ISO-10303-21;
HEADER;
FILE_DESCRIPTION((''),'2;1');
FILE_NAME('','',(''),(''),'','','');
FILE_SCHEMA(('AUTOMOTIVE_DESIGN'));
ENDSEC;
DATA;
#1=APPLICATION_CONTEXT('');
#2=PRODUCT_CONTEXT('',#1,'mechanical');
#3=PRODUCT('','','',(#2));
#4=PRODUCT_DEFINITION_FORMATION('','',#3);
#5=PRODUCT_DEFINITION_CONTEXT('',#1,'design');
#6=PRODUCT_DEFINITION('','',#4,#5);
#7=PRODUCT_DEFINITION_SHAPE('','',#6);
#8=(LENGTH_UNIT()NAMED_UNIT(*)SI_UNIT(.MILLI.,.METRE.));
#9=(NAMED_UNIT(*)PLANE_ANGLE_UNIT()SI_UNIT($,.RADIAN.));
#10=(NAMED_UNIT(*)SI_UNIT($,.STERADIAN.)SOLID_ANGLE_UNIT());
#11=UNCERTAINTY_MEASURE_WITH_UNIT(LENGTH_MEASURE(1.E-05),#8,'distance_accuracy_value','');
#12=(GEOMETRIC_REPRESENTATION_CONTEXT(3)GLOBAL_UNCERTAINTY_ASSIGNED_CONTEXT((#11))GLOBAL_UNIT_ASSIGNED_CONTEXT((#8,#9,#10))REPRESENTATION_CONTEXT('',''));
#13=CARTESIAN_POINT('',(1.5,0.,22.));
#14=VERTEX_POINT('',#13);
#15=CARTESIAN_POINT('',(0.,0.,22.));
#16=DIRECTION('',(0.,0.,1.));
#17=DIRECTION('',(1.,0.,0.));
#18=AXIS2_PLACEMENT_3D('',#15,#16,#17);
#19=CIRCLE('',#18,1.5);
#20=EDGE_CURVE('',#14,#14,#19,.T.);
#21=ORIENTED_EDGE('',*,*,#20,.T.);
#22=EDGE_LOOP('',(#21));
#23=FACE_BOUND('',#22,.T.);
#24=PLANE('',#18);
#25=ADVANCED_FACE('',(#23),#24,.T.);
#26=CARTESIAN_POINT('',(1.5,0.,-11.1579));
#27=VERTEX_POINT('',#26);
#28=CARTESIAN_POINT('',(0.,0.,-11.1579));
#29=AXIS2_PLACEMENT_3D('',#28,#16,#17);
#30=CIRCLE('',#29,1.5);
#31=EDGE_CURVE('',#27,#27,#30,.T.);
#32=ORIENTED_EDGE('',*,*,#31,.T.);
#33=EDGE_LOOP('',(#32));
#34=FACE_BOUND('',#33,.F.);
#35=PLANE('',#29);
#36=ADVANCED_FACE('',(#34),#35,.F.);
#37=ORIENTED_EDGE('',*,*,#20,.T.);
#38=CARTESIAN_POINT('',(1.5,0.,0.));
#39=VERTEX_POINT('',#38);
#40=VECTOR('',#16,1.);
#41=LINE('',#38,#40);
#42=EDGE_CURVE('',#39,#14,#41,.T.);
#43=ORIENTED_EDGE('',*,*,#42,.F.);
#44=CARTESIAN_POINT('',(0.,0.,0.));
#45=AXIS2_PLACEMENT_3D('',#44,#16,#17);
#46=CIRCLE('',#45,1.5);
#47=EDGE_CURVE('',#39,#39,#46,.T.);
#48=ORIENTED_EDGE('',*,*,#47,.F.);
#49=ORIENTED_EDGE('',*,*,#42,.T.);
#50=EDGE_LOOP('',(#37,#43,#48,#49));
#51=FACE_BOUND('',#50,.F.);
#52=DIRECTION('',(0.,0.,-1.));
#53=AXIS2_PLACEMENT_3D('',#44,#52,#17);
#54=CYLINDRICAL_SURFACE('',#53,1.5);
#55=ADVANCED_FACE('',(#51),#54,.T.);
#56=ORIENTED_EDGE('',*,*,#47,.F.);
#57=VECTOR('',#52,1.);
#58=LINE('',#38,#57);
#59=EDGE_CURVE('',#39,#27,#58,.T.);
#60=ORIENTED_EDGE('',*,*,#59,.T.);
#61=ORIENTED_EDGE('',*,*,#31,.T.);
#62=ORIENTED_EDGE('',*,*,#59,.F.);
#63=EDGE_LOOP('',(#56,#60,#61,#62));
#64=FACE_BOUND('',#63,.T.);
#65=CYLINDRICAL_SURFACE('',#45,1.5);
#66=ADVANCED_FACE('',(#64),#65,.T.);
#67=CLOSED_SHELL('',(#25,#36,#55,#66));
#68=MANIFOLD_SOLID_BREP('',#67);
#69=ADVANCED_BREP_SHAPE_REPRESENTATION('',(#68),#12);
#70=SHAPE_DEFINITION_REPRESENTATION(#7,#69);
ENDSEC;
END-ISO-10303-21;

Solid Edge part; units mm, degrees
sketch "Sketch1" plane through (0, 0, 0) normal (0, 0, 1) x (1, 0, 0)
  circle A0 centre (0, 0) radius 1.5
extrude "Protrusion1" add sketch "Sketch1" along normal blind 22
sketch "Sketch2" plane through (0, 0, 0) normal (0, 0, 1) x (1, 0, 0)
  circle A0 centre (0, 0) radius 1.5
extrude "Protrusion2" add sketch "Sketch2" against normal up to vertex (11.1579 mm away)
properties material "Wood, Pine"
